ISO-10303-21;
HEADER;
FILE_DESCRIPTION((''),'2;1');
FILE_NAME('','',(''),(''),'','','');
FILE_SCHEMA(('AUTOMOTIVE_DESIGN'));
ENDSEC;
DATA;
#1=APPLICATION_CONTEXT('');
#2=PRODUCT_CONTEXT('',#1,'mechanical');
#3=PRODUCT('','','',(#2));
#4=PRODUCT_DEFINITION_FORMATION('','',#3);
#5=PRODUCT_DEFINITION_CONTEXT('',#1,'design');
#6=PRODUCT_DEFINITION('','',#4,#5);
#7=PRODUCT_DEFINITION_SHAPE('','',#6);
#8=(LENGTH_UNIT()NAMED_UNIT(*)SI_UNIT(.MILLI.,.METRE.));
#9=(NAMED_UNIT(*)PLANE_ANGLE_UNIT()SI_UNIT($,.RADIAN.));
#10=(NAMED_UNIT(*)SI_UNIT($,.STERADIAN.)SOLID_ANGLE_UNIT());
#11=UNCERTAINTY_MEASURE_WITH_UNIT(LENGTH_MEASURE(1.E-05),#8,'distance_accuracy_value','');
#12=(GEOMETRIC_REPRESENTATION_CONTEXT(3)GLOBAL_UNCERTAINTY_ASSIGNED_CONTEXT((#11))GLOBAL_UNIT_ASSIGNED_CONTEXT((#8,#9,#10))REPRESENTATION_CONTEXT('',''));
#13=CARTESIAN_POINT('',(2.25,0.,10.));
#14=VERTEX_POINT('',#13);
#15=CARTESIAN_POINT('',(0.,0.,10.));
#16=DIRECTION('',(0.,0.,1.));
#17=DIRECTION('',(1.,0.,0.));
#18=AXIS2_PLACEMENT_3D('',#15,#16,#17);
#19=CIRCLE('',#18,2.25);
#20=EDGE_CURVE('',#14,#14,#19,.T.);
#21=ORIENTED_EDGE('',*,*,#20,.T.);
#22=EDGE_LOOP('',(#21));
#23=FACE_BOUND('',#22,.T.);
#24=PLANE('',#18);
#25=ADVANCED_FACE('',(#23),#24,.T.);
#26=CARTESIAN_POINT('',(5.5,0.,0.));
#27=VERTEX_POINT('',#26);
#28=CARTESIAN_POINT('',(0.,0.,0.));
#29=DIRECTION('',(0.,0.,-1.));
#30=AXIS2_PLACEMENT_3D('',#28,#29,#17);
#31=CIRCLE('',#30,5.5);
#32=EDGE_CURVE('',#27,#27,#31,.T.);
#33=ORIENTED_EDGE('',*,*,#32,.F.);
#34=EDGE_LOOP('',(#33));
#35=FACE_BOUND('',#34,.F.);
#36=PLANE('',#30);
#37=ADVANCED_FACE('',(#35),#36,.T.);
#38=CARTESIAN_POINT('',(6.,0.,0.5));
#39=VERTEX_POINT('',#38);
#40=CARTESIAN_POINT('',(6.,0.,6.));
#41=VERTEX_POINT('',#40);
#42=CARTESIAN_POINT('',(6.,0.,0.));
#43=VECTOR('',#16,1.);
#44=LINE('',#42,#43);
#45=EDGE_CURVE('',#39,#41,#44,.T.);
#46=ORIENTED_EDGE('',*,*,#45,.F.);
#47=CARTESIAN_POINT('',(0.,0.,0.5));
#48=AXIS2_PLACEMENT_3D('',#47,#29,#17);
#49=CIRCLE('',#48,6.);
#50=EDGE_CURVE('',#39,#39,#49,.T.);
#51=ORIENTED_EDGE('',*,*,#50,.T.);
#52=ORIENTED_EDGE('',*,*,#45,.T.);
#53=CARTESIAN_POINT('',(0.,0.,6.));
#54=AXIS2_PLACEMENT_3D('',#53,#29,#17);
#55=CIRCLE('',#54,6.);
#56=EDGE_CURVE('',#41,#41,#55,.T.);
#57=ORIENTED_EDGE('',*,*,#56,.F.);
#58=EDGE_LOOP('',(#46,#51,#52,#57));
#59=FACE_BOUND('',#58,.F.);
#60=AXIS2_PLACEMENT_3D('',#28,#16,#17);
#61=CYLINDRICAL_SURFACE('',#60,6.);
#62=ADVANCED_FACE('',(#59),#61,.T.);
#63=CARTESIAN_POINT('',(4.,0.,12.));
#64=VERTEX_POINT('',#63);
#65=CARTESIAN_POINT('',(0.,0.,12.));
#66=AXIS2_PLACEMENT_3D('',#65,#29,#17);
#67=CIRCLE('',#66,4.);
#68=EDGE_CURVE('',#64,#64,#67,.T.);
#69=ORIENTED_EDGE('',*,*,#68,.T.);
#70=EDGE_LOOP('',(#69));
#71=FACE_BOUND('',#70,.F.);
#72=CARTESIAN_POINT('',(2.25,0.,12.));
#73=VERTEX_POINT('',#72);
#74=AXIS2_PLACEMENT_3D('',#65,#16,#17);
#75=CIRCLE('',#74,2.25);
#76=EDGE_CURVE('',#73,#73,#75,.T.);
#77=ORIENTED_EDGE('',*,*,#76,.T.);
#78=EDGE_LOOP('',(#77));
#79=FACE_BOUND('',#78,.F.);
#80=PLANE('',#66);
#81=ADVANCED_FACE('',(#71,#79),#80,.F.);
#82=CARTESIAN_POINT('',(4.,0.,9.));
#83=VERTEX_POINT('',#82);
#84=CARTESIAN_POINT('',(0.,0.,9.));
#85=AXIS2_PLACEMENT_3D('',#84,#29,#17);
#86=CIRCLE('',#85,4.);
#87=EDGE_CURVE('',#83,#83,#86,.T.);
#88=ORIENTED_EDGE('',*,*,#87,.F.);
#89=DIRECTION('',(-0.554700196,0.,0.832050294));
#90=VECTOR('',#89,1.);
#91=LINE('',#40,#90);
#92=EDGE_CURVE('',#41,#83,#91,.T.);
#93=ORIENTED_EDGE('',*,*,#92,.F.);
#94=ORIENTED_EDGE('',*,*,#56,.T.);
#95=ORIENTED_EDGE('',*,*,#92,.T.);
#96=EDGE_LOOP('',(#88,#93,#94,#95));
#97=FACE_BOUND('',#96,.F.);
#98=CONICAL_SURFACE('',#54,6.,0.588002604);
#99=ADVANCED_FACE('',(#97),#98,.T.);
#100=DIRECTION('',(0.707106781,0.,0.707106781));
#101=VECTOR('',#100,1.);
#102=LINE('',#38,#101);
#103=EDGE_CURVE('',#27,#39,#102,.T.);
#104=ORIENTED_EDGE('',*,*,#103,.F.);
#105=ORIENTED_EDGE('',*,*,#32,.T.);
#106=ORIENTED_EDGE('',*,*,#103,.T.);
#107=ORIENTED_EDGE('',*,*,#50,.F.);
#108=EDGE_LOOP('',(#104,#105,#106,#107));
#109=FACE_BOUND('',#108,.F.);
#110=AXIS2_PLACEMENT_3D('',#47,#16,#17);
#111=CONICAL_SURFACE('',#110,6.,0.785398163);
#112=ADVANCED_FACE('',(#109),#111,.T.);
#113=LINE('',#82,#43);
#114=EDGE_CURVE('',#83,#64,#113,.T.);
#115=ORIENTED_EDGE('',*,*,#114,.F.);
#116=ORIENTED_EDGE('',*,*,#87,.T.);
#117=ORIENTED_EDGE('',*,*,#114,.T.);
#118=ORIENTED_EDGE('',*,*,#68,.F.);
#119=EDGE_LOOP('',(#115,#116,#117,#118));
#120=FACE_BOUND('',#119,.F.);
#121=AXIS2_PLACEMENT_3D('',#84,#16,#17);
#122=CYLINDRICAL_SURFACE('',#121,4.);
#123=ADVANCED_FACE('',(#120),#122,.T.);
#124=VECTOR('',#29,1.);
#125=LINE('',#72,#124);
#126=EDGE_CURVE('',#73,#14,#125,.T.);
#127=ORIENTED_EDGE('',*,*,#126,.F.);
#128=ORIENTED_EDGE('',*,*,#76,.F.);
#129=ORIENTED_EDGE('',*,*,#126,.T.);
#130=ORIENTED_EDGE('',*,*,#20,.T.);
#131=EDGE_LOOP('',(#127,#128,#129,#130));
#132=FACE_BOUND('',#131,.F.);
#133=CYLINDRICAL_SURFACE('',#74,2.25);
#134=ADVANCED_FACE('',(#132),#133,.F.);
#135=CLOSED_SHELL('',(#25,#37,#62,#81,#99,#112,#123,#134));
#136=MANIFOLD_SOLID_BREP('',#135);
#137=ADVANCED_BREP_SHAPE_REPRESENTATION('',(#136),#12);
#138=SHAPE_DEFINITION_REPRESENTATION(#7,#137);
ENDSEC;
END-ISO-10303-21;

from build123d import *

# Parameters (mm, degrees)
F2_R     = 2.25
F3_DEPTH = 2
F4_SIZE  = 0.5


with BuildPart() as f1:
    # F0 (on Front) → F1 (revolve)
    with BuildSketch(Plane.XZ):
        Polygon((0, 12), (0, 0), (6, 0), (6, 6), (4, 9), (4, 12), align=None)
    revolve(axis=Axis((0, 0, 6), (0, 0, -1)))

    # F2 (on face) → F3 (cut)
    with BuildSketch(Plane.XY.offset(12)):
        Circle(F2_R)
    extrude(amount=-F3_DEPTH, mode=Mode.SUBTRACT)

    # F4
    f4_edges = [f1.edges().sort_by_distance(p)[0] for p in [
        (-6, 0, 0),
    ]]
    chamfer(f4_edges, length=F4_SIZE)


solid = f1.part
